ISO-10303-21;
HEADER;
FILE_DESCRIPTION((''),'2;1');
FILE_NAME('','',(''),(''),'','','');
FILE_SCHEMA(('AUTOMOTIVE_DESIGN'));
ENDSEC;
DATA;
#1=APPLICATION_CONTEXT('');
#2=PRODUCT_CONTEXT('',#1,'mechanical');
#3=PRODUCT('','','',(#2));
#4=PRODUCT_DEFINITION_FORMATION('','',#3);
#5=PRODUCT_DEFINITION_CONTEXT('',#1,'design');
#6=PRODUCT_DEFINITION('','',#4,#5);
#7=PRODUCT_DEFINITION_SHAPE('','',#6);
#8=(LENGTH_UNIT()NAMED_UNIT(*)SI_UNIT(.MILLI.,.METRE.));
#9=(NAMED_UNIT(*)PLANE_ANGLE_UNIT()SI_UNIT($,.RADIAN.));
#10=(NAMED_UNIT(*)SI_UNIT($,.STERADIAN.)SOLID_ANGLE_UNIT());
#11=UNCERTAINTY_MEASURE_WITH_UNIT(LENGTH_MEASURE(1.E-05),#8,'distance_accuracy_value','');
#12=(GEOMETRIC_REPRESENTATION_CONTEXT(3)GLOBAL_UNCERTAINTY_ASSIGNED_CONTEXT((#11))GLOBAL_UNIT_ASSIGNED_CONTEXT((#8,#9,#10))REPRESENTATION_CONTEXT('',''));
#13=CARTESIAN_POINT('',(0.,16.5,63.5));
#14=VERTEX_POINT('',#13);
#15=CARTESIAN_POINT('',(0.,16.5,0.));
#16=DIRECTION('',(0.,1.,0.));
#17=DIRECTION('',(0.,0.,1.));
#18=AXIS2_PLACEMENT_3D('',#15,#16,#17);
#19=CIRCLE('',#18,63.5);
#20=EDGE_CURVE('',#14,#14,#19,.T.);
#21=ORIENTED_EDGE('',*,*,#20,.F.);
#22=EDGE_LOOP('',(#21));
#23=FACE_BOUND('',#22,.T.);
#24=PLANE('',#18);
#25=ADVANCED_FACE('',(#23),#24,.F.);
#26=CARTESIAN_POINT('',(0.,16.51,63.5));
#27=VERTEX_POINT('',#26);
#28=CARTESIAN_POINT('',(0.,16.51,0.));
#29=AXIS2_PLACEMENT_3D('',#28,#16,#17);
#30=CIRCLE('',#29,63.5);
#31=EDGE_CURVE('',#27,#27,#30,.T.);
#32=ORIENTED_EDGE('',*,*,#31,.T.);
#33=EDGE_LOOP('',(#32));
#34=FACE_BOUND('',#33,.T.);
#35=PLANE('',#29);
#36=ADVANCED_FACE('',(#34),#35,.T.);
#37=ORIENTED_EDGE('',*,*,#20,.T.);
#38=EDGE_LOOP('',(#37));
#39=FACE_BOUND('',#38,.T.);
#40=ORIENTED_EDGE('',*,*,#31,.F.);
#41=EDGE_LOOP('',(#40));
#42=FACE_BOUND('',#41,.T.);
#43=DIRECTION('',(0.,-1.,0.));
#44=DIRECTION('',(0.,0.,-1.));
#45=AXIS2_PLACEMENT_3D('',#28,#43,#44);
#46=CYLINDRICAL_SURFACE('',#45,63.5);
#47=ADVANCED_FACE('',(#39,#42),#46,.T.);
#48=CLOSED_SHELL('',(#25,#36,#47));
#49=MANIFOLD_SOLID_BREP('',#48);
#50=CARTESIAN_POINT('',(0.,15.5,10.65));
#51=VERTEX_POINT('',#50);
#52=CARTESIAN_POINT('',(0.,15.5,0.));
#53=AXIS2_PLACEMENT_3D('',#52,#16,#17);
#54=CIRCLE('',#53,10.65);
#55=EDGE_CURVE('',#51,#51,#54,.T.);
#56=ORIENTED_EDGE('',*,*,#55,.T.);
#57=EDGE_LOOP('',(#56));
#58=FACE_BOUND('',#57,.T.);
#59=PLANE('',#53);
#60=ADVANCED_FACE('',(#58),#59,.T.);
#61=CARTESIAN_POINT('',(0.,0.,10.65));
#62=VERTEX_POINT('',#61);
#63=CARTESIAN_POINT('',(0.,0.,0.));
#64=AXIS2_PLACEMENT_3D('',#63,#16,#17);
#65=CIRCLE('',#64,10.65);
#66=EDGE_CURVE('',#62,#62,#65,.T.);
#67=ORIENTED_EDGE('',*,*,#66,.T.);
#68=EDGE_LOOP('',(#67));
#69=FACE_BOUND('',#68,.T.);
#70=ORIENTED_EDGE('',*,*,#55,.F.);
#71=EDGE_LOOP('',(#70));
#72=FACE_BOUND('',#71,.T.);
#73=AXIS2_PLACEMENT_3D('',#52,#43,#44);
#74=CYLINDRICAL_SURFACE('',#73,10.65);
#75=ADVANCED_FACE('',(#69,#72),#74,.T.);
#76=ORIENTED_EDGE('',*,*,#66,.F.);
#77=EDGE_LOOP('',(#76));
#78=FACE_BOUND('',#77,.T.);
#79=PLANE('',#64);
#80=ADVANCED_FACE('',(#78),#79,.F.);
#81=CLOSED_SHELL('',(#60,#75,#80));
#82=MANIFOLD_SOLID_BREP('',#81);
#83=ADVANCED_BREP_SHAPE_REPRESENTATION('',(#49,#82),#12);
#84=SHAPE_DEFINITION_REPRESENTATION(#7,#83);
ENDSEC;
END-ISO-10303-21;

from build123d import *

# Parameters (mm, degrees)
SKETCH1_R           = 10.65
BOSS_EXTRUDE1_DEPTH = 15.5
BOSS_EXTRUDE4_START = 1
SKETCH4_R           = 63.5
BOSS_EXTRUDE4_DEPTH = 0.01


with BuildPart() as part:
    # Sketch1 → Boss-Extrude1 (new body)
    with BuildSketch(Plane(origin=(0, 0, 0), x_dir=(1, 0, 0), z_dir=(0, 1, 0))):
        Circle(SKETCH1_R)
    extrude(amount=BOSS_EXTRUDE1_DEPTH)


with BuildPart() as body_2:
    # Sketch4 → Boss-Extrude4 (new body)
    with BuildSketch(Plane(origin=(0, 15.5, 0), x_dir=(1, 0, 0), z_dir=(0, 1, 0)).offset(BOSS_EXTRUDE4_START)):
        Circle(SKETCH4_R)
    extrude(amount=BOSS_EXTRUDE4_DEPTH)


solid = Compound([part.part, body_2.part])
